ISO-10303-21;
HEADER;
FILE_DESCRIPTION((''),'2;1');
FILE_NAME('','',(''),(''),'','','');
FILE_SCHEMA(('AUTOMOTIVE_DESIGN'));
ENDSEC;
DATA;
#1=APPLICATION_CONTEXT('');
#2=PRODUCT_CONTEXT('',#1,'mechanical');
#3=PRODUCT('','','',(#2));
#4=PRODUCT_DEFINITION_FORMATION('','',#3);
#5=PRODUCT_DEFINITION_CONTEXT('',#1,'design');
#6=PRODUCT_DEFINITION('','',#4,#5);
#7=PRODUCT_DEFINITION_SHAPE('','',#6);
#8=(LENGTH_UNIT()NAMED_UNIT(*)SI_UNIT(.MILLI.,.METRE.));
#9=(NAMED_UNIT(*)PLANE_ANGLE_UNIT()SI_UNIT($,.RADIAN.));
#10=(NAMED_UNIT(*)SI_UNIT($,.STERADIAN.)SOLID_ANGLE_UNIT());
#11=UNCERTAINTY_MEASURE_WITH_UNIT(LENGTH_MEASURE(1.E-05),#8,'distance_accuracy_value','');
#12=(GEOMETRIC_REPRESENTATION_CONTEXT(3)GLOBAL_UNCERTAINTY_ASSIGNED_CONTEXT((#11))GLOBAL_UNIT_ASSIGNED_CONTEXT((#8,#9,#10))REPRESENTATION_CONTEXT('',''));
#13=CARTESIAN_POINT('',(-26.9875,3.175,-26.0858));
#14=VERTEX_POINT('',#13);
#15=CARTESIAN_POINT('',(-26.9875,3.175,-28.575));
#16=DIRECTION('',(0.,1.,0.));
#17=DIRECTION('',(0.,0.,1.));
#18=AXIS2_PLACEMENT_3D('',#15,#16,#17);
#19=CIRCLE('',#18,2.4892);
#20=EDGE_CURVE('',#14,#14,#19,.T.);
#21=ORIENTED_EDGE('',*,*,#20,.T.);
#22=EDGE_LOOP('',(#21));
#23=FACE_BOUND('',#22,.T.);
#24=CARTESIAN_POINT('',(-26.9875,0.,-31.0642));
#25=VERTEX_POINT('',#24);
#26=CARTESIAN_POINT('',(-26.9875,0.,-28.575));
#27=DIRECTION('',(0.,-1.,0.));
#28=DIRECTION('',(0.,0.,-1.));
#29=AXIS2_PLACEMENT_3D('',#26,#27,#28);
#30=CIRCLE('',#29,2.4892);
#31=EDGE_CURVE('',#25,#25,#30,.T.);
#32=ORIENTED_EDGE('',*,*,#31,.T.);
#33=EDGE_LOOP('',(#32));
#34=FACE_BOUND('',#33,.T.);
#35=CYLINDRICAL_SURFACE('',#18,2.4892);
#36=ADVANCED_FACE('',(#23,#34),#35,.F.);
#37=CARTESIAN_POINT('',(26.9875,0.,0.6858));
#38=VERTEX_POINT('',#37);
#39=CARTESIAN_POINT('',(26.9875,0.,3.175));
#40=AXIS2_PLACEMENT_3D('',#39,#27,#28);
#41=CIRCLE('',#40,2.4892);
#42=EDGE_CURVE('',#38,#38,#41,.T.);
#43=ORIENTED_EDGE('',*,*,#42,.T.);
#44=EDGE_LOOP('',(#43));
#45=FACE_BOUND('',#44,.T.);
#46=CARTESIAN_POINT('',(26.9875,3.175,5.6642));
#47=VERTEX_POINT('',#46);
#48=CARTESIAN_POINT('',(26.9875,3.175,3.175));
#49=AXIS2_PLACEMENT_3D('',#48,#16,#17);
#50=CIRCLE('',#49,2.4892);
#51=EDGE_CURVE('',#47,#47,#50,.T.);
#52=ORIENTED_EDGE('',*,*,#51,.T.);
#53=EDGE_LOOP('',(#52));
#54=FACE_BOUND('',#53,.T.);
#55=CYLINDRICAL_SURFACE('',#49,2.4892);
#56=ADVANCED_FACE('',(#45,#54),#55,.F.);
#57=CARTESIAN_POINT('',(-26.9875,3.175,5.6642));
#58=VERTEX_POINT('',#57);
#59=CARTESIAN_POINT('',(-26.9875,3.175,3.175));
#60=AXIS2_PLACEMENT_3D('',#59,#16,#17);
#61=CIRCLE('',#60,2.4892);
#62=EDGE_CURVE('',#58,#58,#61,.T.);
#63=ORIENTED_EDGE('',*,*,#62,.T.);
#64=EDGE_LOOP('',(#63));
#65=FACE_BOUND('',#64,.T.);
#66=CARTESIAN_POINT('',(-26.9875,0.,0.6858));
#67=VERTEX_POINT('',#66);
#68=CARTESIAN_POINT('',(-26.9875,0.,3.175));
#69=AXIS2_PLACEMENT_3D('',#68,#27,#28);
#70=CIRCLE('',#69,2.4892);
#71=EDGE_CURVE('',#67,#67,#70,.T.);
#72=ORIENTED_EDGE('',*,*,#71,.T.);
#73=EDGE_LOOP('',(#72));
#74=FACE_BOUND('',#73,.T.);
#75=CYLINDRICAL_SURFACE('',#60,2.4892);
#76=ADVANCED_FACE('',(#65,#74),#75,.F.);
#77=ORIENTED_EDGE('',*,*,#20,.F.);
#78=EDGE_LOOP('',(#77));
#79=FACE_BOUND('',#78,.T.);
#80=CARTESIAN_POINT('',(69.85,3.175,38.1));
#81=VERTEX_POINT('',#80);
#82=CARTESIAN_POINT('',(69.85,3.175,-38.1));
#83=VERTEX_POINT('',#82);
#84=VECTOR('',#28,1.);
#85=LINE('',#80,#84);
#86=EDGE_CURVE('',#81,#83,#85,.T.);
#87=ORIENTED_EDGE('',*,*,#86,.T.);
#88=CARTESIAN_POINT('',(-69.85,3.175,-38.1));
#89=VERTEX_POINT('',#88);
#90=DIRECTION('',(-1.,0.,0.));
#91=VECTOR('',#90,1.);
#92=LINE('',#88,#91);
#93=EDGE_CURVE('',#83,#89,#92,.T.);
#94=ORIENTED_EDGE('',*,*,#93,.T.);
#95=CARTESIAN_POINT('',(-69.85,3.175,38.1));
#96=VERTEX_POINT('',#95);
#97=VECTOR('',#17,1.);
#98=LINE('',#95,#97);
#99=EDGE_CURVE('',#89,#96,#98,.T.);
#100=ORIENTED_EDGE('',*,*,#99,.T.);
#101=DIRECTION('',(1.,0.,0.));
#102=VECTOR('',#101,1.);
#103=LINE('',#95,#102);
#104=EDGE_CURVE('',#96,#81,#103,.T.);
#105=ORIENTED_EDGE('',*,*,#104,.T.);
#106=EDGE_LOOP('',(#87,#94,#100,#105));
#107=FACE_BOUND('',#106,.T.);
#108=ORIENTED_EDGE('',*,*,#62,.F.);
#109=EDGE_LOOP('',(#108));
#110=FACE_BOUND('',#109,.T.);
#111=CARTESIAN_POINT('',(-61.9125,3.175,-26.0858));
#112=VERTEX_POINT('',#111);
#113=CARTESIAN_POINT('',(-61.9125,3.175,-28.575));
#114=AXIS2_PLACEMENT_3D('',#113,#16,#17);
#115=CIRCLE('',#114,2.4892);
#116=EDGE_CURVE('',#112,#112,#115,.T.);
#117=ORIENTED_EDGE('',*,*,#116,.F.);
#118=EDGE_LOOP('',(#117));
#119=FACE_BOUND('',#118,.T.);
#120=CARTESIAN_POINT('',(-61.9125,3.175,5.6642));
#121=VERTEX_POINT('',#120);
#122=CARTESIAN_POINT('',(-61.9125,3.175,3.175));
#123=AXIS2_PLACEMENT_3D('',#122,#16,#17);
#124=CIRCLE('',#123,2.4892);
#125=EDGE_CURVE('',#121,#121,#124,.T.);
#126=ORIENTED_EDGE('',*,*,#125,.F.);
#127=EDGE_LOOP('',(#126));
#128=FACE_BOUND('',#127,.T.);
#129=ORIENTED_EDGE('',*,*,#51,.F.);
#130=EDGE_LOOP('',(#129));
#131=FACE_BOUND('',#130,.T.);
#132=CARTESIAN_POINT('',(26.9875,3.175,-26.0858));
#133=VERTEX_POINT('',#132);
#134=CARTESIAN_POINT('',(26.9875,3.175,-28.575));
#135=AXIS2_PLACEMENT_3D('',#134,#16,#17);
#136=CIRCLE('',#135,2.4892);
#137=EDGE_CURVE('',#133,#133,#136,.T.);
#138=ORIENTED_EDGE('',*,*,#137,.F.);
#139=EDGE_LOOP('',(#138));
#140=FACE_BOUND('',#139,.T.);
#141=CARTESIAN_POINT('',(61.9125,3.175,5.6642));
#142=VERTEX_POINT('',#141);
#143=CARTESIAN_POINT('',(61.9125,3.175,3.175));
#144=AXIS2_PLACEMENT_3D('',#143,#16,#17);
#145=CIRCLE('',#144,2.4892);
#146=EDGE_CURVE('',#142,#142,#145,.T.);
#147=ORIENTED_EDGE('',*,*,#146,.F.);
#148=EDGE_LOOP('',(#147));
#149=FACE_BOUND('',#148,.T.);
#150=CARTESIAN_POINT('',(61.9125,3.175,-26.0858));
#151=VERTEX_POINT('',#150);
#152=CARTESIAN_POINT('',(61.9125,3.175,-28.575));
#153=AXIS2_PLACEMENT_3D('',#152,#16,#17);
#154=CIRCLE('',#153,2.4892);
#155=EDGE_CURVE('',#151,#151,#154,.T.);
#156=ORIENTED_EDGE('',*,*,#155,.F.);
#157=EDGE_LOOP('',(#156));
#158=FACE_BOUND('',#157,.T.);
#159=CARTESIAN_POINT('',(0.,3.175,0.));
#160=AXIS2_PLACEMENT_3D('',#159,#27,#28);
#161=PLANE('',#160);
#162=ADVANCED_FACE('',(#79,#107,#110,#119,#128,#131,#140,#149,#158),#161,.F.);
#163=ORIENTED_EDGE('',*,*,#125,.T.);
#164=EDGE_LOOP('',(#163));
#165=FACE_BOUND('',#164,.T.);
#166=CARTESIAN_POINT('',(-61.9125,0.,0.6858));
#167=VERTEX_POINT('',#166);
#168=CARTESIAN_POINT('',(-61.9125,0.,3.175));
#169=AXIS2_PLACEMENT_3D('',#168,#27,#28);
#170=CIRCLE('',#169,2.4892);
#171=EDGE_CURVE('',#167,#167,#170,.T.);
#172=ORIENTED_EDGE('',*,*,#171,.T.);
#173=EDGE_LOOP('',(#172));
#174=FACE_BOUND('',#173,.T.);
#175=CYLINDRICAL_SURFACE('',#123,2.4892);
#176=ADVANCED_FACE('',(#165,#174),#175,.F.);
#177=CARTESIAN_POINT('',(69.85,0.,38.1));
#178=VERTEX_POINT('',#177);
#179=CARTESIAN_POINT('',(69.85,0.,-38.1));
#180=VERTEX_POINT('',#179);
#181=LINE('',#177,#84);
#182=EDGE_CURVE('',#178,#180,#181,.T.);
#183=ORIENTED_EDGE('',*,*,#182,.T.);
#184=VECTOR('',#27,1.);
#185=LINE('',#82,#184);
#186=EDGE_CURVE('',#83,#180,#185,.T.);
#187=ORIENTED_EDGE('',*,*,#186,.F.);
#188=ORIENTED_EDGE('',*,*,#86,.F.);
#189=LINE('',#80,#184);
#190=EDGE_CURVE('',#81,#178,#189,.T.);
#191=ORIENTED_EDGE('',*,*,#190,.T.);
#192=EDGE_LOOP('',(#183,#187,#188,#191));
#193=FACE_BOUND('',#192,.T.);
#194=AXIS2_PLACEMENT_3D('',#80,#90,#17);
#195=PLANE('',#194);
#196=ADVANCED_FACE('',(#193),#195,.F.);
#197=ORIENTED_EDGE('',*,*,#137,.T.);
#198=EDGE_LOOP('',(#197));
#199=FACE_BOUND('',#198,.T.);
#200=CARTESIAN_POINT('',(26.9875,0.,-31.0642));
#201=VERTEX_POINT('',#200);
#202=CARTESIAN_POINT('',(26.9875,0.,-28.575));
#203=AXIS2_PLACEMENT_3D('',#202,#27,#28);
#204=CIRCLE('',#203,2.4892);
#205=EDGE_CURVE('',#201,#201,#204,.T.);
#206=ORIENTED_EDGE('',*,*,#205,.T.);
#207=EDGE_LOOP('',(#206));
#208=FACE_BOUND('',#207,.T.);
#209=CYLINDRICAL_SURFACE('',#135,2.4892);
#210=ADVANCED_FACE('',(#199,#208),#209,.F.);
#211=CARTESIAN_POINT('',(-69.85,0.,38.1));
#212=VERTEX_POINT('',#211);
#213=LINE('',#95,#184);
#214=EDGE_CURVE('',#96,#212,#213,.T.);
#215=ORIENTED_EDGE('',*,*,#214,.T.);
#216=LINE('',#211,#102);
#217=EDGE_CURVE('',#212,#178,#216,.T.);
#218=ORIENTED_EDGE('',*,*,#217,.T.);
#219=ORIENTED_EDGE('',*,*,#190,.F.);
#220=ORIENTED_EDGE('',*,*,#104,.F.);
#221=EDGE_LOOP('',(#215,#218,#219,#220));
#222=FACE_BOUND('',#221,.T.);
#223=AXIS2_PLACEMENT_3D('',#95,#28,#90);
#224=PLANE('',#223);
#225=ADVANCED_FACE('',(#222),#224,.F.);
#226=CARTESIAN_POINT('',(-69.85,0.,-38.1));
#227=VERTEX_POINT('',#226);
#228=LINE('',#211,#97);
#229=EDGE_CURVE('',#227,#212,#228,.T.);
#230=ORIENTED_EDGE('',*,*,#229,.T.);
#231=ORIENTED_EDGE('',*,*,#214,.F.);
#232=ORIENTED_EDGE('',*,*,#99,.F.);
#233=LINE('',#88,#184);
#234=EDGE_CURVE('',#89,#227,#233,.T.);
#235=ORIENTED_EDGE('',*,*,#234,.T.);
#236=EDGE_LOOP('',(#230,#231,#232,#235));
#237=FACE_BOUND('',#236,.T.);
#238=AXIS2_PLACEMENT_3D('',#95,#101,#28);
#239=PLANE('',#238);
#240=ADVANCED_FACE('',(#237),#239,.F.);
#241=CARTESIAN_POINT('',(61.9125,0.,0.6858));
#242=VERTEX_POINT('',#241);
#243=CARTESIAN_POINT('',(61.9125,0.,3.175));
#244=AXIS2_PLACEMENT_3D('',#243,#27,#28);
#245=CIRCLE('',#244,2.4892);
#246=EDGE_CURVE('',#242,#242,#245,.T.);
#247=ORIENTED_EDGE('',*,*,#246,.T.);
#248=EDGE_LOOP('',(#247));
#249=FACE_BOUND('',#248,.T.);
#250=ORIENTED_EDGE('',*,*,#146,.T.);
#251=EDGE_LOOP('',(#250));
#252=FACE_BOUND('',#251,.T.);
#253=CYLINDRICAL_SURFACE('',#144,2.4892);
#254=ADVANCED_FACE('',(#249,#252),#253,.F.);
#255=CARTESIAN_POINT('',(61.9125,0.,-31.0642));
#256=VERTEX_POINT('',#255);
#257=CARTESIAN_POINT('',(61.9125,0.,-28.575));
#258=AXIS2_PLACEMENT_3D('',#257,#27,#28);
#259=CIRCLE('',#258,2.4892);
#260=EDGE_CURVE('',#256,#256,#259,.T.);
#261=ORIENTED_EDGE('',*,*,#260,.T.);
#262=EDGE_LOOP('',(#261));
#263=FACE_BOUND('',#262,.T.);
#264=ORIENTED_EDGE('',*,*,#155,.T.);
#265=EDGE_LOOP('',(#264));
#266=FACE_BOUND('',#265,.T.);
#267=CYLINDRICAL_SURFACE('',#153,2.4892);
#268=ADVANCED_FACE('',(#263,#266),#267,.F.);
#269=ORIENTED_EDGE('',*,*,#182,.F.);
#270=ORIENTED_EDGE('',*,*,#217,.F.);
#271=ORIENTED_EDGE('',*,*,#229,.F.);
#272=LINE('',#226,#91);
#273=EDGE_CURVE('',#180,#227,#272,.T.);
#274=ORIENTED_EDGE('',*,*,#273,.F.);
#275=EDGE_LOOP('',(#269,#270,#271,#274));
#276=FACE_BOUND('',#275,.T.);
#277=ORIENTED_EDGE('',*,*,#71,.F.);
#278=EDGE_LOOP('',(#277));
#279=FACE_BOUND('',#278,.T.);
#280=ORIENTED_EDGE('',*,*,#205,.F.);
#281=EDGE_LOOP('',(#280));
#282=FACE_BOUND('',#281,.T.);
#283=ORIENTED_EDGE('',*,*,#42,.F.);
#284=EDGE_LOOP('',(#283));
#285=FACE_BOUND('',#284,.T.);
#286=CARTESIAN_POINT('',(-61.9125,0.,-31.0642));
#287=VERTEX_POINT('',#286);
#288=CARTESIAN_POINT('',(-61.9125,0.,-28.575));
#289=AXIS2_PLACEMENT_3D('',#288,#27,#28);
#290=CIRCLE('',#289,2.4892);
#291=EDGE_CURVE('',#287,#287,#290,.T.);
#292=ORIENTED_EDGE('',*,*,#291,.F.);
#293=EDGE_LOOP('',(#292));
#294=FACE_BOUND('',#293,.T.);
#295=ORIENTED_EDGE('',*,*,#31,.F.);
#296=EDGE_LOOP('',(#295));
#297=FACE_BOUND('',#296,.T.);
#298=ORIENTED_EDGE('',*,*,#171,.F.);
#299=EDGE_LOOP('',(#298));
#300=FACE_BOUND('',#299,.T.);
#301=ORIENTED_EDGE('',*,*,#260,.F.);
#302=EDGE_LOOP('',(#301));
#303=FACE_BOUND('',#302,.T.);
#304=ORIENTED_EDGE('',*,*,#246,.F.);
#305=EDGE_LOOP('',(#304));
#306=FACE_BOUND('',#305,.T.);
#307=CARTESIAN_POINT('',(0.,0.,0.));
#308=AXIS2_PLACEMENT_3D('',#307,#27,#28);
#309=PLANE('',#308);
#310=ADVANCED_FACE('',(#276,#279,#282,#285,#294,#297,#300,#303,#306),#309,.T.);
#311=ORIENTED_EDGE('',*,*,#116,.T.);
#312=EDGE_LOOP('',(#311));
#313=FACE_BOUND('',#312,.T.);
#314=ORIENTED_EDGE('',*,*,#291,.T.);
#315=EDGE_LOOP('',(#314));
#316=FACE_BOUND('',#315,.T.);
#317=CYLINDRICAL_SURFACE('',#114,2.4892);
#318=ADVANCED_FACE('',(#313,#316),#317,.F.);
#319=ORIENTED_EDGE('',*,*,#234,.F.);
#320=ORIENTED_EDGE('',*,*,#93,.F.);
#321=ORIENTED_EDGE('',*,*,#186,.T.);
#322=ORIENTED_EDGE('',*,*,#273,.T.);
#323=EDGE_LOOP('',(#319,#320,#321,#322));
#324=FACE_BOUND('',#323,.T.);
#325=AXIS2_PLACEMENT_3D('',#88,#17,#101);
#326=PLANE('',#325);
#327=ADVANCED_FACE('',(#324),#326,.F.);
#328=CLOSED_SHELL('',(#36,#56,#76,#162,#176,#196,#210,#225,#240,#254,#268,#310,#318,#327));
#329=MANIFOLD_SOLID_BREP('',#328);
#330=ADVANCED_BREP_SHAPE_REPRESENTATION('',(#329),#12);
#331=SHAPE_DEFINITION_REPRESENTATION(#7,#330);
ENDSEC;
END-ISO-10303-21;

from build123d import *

# Parameters (mm, degrees)
SKETCH1_W                  = 139.7
SKETCH1_H                  = 76.2
BOSS_EXTRUDE1_DEPTH        = 3.175
F_10_CLEARANCE_HOLE1_D     = 4.9784
F_10_CLEARANCE_HOLE1_DEPTH = 6.35
F_10_CLEARANCE_HOLE1_TIP   = 1.495662253


with BuildPart() as part:
    # Sketch1 → Boss-Extrude1 (new body)
    with BuildSketch(Plane(origin=(0, 0, 0), x_dir=(1, 0, 0), z_dir=(0, 1, 0))):
        Rectangle(SKETCH1_W, SKETCH1_H)
    extrude(amount=BOSS_EXTRUDE1_DEPTH)

    # #10 Clearance Hole1
    with Locations(Plane(origin=(0, 3.175, 0), x_dir=(1, 0, 0), z_dir=(0, 1, 0))):
        with Locations((-61.9125, 28.575), (-61.9125, -3.175), (-26.9875, -3.175), (-26.9875, 28.575), (26.9875, 28.575), (61.9125, 28.575), (61.9125, -3.175), (26.9875, -3.175)):
            Hole(F_10_CLEARANCE_HOLE1_D / 2, depth=F_10_CLEARANCE_HOLE1_DEPTH)
            with Locations((0, 0, -(F_10_CLEARANCE_HOLE1_DEPTH + F_10_CLEARANCE_HOLE1_TIP / 2))):  # 118° drill point
                Cone(0, F_10_CLEARANCE_HOLE1_D / 2, F_10_CLEARANCE_HOLE1_TIP, mode=Mode.SUBTRACT)


solid = part.part
